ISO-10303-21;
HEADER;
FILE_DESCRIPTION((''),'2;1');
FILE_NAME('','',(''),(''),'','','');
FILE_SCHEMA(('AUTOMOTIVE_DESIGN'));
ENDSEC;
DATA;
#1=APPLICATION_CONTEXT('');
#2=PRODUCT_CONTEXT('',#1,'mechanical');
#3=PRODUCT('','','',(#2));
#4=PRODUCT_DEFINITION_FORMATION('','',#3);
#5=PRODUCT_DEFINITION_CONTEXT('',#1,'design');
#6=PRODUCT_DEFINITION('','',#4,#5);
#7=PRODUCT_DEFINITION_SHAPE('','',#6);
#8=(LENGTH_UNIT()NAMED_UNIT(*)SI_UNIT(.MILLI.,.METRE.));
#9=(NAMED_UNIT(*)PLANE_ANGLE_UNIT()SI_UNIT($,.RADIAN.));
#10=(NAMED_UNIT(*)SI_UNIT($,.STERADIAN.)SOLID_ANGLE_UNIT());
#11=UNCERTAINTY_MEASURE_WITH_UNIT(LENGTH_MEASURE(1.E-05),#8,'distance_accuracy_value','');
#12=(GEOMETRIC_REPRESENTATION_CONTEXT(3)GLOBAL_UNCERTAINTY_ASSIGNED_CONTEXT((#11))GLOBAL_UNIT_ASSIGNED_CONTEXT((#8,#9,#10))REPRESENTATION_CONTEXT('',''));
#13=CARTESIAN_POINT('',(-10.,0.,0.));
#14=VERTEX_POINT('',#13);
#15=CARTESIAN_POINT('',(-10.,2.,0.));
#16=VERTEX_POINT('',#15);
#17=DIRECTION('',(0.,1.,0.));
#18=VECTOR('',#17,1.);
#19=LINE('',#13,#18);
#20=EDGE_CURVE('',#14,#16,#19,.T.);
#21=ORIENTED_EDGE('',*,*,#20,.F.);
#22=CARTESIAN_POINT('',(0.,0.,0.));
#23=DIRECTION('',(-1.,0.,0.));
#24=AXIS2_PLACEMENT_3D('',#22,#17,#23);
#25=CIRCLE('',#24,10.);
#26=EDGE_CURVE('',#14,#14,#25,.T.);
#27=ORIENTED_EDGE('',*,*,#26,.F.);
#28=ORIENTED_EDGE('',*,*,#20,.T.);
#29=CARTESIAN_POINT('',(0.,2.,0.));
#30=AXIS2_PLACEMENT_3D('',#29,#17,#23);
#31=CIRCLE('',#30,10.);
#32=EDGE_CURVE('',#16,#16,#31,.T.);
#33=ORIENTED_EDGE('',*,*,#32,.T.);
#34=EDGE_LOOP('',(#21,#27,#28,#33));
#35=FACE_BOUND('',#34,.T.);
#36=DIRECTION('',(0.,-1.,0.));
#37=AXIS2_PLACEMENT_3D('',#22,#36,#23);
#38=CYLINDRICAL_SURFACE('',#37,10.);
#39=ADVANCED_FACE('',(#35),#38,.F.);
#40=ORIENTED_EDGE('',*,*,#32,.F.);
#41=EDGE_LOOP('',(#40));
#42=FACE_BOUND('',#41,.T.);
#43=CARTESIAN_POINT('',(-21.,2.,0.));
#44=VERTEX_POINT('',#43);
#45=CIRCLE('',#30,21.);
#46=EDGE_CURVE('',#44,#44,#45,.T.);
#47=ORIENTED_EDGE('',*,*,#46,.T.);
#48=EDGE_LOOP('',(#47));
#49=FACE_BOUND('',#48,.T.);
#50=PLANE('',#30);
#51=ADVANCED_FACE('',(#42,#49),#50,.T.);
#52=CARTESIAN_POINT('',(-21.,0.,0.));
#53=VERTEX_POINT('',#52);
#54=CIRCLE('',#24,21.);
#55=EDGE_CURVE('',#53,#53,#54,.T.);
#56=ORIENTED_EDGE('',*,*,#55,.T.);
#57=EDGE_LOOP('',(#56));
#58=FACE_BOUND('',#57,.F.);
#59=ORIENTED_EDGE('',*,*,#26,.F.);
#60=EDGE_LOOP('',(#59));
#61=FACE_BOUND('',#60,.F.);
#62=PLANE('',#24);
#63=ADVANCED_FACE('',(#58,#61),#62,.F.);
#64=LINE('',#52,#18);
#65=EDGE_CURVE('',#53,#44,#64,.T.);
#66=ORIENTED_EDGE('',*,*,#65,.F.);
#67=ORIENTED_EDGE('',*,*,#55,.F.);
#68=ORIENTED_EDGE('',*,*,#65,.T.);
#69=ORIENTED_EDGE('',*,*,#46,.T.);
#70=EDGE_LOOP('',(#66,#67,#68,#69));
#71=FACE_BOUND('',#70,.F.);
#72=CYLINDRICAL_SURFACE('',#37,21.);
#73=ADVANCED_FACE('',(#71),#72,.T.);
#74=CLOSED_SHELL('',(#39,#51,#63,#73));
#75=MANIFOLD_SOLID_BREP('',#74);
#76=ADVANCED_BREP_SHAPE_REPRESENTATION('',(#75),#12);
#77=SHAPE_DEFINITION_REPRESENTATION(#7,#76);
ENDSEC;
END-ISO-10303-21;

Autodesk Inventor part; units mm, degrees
ref_plane "YZ Plane" through (0, 0, 0) normal (1, 0, 0) x (0, 1, 0)
ref_plane "XZ Plane" through (0, 0, 0) normal (0, 1, 0) x (-1, 0, 0)
ref_plane "XY Plane" through (0, 0, 0) normal (0, 0, 1) x (1, 0, 0)
sketch "草图1" plane through (0, 0, 0) normal (0, 1, 0) x (-1, 0, 0)
  circle A0 centre (0, 0) radius 10
  circle A1 centre (0, 0) radius 21
  dimension "d0" = 20
  dimension "d1" = 42
extrude "拉伸1" add sketch "草图1" along normal blind 2
properties part number "线圈" material "氮化硅"
